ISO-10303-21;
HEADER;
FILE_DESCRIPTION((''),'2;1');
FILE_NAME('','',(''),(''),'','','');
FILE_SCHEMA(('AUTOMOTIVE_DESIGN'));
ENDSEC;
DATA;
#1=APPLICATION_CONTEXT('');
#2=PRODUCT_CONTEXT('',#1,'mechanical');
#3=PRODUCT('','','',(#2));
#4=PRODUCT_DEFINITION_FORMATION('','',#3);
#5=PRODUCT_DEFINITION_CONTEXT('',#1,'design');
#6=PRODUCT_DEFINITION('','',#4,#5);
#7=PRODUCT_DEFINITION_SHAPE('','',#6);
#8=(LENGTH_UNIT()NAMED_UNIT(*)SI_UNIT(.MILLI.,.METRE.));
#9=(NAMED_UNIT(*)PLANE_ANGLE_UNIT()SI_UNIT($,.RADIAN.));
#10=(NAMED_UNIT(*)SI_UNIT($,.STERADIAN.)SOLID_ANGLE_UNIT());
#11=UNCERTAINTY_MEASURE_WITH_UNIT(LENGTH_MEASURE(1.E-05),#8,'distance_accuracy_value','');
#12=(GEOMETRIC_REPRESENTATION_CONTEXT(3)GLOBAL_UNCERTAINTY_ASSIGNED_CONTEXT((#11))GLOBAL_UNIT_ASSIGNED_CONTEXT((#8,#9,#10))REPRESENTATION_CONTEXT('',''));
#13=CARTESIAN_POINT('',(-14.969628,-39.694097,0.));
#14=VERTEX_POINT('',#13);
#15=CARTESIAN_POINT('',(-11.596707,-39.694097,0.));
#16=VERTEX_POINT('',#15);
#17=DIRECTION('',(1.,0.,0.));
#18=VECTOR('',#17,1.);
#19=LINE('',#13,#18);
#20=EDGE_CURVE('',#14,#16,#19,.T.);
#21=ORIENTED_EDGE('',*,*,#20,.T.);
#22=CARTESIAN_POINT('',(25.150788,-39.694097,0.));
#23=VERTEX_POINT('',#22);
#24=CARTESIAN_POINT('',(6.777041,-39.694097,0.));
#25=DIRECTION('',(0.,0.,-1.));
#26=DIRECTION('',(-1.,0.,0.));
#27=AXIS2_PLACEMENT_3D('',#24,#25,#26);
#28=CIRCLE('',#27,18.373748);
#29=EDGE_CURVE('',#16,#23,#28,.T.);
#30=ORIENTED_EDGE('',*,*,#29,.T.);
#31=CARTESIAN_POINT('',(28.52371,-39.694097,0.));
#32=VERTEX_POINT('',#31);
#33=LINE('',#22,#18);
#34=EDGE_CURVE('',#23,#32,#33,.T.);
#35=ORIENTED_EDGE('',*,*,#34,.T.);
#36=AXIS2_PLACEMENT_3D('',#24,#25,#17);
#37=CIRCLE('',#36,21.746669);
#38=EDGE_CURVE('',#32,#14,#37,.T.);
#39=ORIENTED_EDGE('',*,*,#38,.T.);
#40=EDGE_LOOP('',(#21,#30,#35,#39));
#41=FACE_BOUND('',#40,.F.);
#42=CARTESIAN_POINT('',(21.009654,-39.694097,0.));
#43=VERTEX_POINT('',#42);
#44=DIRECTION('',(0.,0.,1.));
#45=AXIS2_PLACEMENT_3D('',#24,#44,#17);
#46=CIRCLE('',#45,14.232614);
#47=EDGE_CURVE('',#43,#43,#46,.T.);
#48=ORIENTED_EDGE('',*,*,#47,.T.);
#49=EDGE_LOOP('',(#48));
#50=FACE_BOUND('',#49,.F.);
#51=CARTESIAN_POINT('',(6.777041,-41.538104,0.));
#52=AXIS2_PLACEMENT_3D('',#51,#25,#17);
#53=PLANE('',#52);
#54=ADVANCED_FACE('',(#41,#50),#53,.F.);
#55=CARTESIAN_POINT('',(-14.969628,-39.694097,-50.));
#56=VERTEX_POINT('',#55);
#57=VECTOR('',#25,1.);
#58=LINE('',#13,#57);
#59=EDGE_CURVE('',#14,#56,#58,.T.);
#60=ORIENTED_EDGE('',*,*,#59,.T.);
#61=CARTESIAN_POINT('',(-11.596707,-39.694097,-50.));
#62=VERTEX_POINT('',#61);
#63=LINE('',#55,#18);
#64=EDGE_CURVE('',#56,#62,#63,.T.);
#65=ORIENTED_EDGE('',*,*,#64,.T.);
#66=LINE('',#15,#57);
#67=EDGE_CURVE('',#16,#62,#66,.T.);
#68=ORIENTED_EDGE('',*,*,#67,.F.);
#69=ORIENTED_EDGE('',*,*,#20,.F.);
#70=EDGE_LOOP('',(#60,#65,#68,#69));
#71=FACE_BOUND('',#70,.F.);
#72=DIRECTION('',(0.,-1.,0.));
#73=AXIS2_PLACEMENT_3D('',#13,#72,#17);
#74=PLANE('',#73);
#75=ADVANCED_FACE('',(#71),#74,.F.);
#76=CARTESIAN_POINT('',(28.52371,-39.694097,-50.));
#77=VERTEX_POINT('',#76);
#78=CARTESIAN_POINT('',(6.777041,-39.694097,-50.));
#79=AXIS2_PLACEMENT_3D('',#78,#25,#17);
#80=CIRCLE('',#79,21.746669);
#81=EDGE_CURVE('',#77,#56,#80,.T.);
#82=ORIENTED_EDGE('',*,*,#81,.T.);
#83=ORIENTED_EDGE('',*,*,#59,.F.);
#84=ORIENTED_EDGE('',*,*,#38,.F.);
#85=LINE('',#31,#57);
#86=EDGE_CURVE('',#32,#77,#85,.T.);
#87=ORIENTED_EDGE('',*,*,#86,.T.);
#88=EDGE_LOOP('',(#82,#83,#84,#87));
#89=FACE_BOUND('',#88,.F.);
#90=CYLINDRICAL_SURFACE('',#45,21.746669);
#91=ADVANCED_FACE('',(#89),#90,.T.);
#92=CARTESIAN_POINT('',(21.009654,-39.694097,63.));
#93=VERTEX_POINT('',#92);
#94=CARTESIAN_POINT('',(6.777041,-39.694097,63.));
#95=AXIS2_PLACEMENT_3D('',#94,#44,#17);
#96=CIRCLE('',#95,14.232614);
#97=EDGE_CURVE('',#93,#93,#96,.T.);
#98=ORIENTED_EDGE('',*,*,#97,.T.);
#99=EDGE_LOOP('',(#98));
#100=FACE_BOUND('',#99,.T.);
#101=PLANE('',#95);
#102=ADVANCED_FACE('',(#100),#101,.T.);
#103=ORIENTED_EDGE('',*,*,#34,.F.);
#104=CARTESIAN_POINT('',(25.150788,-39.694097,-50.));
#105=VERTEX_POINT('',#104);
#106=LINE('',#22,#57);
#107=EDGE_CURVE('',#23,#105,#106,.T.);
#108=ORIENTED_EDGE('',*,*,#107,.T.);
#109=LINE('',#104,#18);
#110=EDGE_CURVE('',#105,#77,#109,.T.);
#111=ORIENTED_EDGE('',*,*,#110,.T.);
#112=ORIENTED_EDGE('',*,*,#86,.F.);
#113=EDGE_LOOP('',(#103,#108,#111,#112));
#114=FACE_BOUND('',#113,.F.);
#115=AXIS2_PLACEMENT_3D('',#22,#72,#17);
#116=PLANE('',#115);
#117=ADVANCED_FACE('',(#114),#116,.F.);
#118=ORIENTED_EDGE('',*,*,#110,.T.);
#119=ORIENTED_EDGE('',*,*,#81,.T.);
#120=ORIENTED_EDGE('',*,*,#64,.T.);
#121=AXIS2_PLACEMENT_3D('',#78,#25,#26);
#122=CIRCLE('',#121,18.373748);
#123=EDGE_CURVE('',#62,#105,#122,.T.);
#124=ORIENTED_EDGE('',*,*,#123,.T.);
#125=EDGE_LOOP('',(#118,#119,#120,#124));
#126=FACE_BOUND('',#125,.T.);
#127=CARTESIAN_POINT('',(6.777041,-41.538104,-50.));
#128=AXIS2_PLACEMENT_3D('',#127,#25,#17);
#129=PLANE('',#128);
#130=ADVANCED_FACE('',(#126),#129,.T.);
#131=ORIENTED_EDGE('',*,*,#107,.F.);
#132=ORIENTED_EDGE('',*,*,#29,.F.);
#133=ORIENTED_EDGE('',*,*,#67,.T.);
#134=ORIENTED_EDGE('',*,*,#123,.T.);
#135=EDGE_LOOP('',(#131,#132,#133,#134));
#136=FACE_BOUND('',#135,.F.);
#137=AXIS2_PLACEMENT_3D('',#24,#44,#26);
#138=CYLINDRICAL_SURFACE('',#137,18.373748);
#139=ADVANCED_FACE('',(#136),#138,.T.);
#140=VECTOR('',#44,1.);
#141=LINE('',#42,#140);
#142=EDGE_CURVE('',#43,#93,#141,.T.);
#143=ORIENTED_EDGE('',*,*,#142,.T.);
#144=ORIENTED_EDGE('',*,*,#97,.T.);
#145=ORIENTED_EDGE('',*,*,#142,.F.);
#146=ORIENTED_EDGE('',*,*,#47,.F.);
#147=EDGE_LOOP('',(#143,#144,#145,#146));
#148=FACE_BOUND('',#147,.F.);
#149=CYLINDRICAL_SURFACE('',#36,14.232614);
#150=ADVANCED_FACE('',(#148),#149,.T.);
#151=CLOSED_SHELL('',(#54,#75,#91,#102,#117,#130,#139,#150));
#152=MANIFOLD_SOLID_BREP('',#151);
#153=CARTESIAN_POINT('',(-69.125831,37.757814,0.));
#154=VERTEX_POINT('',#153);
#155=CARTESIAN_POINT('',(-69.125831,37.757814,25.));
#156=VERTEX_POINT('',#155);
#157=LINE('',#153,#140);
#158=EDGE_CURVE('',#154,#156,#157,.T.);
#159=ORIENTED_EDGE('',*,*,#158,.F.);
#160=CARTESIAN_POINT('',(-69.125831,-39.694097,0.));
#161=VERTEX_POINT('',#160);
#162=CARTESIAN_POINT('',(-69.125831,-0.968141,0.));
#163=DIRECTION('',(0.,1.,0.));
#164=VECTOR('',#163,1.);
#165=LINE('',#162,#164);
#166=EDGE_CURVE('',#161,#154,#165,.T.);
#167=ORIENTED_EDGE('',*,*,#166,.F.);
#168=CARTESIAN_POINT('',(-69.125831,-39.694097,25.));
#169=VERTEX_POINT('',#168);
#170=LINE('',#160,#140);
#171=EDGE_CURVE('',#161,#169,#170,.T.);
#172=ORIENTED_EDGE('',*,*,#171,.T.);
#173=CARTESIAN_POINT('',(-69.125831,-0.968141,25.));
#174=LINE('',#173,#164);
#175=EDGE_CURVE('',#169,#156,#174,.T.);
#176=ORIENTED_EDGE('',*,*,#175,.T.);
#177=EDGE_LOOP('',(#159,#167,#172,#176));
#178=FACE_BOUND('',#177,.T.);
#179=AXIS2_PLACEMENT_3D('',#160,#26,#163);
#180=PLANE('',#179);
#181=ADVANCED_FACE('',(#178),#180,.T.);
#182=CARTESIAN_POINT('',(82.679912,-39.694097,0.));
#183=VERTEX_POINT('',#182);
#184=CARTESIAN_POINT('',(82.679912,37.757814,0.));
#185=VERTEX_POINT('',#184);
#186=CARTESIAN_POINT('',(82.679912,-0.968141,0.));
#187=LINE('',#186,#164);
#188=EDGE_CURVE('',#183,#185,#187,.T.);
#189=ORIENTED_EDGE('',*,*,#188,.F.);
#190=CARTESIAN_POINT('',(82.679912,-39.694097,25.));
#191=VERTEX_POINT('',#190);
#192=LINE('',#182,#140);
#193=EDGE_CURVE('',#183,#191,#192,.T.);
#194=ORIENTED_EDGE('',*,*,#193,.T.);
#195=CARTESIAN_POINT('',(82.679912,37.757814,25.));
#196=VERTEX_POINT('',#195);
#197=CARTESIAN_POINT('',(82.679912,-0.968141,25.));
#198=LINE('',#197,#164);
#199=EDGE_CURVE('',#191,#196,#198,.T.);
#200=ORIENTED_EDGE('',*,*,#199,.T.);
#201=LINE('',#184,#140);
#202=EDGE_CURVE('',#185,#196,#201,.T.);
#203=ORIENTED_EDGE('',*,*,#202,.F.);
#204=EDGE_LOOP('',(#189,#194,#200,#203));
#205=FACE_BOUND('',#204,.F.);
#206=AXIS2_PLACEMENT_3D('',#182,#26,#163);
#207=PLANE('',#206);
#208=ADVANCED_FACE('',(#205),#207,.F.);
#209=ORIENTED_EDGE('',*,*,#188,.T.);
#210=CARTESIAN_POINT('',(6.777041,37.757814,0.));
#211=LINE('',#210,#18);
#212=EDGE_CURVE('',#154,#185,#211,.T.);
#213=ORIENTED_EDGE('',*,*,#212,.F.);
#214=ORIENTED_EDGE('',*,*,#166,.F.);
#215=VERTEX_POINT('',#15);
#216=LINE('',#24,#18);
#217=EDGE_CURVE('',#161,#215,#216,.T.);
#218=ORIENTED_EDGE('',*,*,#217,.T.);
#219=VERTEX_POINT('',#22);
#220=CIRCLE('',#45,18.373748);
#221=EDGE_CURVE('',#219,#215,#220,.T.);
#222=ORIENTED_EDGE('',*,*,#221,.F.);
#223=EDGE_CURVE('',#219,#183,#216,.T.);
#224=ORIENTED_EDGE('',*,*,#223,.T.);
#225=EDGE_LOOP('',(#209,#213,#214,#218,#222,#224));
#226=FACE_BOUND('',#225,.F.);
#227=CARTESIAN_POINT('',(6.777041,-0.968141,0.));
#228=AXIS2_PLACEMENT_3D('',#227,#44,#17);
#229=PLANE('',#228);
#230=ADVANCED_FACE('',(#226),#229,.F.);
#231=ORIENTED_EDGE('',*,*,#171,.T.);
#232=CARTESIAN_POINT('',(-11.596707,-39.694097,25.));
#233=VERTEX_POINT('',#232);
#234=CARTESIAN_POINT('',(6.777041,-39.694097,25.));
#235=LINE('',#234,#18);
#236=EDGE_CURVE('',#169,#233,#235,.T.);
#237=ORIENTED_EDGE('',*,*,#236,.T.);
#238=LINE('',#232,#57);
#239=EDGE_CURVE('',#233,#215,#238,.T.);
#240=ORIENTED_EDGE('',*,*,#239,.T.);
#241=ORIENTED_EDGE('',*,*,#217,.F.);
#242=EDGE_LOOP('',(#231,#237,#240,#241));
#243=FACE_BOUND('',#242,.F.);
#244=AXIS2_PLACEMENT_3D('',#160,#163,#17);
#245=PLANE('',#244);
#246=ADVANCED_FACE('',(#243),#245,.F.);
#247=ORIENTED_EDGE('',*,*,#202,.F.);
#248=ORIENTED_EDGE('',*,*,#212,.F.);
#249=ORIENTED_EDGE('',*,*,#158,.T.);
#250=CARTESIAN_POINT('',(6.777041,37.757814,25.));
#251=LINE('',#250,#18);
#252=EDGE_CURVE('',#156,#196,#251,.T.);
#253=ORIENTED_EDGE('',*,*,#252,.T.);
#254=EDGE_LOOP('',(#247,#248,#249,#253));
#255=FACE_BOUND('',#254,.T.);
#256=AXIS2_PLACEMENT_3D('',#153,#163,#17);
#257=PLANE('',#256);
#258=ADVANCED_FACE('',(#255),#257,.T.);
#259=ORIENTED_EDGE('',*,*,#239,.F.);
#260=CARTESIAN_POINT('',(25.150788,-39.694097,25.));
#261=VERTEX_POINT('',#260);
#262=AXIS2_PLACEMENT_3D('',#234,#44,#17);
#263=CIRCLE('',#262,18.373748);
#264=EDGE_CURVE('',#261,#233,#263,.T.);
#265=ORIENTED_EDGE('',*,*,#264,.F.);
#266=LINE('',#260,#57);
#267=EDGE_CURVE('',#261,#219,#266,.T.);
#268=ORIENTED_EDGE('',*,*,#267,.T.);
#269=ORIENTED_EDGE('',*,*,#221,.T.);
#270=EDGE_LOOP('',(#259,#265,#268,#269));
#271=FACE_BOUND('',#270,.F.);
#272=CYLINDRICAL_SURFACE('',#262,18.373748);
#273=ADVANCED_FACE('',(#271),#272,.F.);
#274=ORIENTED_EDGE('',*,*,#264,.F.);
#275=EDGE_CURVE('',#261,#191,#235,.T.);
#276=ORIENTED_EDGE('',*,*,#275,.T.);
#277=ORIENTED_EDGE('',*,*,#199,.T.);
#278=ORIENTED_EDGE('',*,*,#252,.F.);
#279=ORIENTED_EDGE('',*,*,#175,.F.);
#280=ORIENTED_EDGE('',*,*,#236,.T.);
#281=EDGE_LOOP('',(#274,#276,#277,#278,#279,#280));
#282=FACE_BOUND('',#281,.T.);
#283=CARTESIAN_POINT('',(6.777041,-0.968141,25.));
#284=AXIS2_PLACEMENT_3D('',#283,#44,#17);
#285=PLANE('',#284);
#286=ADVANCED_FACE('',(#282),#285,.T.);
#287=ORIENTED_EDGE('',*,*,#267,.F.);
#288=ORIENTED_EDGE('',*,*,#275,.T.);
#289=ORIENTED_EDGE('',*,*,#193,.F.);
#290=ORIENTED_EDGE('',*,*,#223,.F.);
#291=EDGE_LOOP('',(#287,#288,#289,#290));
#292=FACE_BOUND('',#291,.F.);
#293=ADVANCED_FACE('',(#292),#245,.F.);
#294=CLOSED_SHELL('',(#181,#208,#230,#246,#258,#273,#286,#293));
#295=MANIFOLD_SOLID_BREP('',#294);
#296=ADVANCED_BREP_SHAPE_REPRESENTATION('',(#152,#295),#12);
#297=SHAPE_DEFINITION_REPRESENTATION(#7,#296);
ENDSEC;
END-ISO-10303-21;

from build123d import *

# Parameters (mm, degrees)
F0_W     = 151.8057435751
F0_H     = 77.4519108236
F1_DEPTH = 25
F3_DEPTH = 25
F4_R     = 15.359977329
F5_DEPTH = 50
F6_R     = 14.2326136312
F7_DEPTH = 63


with BuildPart() as f1:
    # F0 (on Top) → F1 (new body)
    with BuildSketch(Plane.XY):
        with Locations((6.7770406604, -0.9681414813)):
            Rectangle(F0_W, F0_H)
    extrude(amount=F1_DEPTH)

    # F2 (on face) → F3 (cut)
    with BuildSketch(Plane.XY.offset(25)):
        with BuildLine():
            Line((-11.5967069719, -39.6940968931), (25.1507882926, -39.6940968931))
            ThreePointArc((25.1507882926, -39.6940968931), (6.7770406604, -21.3203492608), (-11.5967069719, -39.6940968931))
        make_face()
    extrude(amount=-F3_DEPTH, mode=Mode.SUBTRACT)


with BuildPart() as f5:
    # F4 (on face) → F5 (new body)
    with BuildSketch(Plane(origin=(0, 0, 0), x_dir=(1, 0, 0), z_dir=(0, 0, -1))):
        with BuildLine():
            Line((25.1507882926, 39.6940968931), (28.5237095795, 39.6940968931))
            ThreePointArc((28.5237095795, 39.6940968931), (6.7770406604, 61.4407658122), (-14.9696282588, 39.6940968931))
            Line((-14.9696282588, 39.6940968931), (-11.5967069719, 39.6940968931))
            ThreePointArc((-11.5967069719, 39.6940968931), (6.7770406604, 21.3203492608), (25.1507882926, 39.6940968931))
        make_face()
        with Locations((6.7770406604, 39.6940968931)):
            Circle(F4_R, mode=Mode.SUBTRACT)
        with Locations((6.7770406604, 39.6940968931)):
            Circle(F4_R)
    extrude(amount=F5_DEPTH)

    # F6 (on face) → F7 (join)
    with BuildSketch(Plane.XY):
        with Locations((6.7770406604, -39.6940968931)):
            Circle(F6_R)
    extrude(amount=F7_DEPTH)


solid = Compound([f1.part, f5.part])
